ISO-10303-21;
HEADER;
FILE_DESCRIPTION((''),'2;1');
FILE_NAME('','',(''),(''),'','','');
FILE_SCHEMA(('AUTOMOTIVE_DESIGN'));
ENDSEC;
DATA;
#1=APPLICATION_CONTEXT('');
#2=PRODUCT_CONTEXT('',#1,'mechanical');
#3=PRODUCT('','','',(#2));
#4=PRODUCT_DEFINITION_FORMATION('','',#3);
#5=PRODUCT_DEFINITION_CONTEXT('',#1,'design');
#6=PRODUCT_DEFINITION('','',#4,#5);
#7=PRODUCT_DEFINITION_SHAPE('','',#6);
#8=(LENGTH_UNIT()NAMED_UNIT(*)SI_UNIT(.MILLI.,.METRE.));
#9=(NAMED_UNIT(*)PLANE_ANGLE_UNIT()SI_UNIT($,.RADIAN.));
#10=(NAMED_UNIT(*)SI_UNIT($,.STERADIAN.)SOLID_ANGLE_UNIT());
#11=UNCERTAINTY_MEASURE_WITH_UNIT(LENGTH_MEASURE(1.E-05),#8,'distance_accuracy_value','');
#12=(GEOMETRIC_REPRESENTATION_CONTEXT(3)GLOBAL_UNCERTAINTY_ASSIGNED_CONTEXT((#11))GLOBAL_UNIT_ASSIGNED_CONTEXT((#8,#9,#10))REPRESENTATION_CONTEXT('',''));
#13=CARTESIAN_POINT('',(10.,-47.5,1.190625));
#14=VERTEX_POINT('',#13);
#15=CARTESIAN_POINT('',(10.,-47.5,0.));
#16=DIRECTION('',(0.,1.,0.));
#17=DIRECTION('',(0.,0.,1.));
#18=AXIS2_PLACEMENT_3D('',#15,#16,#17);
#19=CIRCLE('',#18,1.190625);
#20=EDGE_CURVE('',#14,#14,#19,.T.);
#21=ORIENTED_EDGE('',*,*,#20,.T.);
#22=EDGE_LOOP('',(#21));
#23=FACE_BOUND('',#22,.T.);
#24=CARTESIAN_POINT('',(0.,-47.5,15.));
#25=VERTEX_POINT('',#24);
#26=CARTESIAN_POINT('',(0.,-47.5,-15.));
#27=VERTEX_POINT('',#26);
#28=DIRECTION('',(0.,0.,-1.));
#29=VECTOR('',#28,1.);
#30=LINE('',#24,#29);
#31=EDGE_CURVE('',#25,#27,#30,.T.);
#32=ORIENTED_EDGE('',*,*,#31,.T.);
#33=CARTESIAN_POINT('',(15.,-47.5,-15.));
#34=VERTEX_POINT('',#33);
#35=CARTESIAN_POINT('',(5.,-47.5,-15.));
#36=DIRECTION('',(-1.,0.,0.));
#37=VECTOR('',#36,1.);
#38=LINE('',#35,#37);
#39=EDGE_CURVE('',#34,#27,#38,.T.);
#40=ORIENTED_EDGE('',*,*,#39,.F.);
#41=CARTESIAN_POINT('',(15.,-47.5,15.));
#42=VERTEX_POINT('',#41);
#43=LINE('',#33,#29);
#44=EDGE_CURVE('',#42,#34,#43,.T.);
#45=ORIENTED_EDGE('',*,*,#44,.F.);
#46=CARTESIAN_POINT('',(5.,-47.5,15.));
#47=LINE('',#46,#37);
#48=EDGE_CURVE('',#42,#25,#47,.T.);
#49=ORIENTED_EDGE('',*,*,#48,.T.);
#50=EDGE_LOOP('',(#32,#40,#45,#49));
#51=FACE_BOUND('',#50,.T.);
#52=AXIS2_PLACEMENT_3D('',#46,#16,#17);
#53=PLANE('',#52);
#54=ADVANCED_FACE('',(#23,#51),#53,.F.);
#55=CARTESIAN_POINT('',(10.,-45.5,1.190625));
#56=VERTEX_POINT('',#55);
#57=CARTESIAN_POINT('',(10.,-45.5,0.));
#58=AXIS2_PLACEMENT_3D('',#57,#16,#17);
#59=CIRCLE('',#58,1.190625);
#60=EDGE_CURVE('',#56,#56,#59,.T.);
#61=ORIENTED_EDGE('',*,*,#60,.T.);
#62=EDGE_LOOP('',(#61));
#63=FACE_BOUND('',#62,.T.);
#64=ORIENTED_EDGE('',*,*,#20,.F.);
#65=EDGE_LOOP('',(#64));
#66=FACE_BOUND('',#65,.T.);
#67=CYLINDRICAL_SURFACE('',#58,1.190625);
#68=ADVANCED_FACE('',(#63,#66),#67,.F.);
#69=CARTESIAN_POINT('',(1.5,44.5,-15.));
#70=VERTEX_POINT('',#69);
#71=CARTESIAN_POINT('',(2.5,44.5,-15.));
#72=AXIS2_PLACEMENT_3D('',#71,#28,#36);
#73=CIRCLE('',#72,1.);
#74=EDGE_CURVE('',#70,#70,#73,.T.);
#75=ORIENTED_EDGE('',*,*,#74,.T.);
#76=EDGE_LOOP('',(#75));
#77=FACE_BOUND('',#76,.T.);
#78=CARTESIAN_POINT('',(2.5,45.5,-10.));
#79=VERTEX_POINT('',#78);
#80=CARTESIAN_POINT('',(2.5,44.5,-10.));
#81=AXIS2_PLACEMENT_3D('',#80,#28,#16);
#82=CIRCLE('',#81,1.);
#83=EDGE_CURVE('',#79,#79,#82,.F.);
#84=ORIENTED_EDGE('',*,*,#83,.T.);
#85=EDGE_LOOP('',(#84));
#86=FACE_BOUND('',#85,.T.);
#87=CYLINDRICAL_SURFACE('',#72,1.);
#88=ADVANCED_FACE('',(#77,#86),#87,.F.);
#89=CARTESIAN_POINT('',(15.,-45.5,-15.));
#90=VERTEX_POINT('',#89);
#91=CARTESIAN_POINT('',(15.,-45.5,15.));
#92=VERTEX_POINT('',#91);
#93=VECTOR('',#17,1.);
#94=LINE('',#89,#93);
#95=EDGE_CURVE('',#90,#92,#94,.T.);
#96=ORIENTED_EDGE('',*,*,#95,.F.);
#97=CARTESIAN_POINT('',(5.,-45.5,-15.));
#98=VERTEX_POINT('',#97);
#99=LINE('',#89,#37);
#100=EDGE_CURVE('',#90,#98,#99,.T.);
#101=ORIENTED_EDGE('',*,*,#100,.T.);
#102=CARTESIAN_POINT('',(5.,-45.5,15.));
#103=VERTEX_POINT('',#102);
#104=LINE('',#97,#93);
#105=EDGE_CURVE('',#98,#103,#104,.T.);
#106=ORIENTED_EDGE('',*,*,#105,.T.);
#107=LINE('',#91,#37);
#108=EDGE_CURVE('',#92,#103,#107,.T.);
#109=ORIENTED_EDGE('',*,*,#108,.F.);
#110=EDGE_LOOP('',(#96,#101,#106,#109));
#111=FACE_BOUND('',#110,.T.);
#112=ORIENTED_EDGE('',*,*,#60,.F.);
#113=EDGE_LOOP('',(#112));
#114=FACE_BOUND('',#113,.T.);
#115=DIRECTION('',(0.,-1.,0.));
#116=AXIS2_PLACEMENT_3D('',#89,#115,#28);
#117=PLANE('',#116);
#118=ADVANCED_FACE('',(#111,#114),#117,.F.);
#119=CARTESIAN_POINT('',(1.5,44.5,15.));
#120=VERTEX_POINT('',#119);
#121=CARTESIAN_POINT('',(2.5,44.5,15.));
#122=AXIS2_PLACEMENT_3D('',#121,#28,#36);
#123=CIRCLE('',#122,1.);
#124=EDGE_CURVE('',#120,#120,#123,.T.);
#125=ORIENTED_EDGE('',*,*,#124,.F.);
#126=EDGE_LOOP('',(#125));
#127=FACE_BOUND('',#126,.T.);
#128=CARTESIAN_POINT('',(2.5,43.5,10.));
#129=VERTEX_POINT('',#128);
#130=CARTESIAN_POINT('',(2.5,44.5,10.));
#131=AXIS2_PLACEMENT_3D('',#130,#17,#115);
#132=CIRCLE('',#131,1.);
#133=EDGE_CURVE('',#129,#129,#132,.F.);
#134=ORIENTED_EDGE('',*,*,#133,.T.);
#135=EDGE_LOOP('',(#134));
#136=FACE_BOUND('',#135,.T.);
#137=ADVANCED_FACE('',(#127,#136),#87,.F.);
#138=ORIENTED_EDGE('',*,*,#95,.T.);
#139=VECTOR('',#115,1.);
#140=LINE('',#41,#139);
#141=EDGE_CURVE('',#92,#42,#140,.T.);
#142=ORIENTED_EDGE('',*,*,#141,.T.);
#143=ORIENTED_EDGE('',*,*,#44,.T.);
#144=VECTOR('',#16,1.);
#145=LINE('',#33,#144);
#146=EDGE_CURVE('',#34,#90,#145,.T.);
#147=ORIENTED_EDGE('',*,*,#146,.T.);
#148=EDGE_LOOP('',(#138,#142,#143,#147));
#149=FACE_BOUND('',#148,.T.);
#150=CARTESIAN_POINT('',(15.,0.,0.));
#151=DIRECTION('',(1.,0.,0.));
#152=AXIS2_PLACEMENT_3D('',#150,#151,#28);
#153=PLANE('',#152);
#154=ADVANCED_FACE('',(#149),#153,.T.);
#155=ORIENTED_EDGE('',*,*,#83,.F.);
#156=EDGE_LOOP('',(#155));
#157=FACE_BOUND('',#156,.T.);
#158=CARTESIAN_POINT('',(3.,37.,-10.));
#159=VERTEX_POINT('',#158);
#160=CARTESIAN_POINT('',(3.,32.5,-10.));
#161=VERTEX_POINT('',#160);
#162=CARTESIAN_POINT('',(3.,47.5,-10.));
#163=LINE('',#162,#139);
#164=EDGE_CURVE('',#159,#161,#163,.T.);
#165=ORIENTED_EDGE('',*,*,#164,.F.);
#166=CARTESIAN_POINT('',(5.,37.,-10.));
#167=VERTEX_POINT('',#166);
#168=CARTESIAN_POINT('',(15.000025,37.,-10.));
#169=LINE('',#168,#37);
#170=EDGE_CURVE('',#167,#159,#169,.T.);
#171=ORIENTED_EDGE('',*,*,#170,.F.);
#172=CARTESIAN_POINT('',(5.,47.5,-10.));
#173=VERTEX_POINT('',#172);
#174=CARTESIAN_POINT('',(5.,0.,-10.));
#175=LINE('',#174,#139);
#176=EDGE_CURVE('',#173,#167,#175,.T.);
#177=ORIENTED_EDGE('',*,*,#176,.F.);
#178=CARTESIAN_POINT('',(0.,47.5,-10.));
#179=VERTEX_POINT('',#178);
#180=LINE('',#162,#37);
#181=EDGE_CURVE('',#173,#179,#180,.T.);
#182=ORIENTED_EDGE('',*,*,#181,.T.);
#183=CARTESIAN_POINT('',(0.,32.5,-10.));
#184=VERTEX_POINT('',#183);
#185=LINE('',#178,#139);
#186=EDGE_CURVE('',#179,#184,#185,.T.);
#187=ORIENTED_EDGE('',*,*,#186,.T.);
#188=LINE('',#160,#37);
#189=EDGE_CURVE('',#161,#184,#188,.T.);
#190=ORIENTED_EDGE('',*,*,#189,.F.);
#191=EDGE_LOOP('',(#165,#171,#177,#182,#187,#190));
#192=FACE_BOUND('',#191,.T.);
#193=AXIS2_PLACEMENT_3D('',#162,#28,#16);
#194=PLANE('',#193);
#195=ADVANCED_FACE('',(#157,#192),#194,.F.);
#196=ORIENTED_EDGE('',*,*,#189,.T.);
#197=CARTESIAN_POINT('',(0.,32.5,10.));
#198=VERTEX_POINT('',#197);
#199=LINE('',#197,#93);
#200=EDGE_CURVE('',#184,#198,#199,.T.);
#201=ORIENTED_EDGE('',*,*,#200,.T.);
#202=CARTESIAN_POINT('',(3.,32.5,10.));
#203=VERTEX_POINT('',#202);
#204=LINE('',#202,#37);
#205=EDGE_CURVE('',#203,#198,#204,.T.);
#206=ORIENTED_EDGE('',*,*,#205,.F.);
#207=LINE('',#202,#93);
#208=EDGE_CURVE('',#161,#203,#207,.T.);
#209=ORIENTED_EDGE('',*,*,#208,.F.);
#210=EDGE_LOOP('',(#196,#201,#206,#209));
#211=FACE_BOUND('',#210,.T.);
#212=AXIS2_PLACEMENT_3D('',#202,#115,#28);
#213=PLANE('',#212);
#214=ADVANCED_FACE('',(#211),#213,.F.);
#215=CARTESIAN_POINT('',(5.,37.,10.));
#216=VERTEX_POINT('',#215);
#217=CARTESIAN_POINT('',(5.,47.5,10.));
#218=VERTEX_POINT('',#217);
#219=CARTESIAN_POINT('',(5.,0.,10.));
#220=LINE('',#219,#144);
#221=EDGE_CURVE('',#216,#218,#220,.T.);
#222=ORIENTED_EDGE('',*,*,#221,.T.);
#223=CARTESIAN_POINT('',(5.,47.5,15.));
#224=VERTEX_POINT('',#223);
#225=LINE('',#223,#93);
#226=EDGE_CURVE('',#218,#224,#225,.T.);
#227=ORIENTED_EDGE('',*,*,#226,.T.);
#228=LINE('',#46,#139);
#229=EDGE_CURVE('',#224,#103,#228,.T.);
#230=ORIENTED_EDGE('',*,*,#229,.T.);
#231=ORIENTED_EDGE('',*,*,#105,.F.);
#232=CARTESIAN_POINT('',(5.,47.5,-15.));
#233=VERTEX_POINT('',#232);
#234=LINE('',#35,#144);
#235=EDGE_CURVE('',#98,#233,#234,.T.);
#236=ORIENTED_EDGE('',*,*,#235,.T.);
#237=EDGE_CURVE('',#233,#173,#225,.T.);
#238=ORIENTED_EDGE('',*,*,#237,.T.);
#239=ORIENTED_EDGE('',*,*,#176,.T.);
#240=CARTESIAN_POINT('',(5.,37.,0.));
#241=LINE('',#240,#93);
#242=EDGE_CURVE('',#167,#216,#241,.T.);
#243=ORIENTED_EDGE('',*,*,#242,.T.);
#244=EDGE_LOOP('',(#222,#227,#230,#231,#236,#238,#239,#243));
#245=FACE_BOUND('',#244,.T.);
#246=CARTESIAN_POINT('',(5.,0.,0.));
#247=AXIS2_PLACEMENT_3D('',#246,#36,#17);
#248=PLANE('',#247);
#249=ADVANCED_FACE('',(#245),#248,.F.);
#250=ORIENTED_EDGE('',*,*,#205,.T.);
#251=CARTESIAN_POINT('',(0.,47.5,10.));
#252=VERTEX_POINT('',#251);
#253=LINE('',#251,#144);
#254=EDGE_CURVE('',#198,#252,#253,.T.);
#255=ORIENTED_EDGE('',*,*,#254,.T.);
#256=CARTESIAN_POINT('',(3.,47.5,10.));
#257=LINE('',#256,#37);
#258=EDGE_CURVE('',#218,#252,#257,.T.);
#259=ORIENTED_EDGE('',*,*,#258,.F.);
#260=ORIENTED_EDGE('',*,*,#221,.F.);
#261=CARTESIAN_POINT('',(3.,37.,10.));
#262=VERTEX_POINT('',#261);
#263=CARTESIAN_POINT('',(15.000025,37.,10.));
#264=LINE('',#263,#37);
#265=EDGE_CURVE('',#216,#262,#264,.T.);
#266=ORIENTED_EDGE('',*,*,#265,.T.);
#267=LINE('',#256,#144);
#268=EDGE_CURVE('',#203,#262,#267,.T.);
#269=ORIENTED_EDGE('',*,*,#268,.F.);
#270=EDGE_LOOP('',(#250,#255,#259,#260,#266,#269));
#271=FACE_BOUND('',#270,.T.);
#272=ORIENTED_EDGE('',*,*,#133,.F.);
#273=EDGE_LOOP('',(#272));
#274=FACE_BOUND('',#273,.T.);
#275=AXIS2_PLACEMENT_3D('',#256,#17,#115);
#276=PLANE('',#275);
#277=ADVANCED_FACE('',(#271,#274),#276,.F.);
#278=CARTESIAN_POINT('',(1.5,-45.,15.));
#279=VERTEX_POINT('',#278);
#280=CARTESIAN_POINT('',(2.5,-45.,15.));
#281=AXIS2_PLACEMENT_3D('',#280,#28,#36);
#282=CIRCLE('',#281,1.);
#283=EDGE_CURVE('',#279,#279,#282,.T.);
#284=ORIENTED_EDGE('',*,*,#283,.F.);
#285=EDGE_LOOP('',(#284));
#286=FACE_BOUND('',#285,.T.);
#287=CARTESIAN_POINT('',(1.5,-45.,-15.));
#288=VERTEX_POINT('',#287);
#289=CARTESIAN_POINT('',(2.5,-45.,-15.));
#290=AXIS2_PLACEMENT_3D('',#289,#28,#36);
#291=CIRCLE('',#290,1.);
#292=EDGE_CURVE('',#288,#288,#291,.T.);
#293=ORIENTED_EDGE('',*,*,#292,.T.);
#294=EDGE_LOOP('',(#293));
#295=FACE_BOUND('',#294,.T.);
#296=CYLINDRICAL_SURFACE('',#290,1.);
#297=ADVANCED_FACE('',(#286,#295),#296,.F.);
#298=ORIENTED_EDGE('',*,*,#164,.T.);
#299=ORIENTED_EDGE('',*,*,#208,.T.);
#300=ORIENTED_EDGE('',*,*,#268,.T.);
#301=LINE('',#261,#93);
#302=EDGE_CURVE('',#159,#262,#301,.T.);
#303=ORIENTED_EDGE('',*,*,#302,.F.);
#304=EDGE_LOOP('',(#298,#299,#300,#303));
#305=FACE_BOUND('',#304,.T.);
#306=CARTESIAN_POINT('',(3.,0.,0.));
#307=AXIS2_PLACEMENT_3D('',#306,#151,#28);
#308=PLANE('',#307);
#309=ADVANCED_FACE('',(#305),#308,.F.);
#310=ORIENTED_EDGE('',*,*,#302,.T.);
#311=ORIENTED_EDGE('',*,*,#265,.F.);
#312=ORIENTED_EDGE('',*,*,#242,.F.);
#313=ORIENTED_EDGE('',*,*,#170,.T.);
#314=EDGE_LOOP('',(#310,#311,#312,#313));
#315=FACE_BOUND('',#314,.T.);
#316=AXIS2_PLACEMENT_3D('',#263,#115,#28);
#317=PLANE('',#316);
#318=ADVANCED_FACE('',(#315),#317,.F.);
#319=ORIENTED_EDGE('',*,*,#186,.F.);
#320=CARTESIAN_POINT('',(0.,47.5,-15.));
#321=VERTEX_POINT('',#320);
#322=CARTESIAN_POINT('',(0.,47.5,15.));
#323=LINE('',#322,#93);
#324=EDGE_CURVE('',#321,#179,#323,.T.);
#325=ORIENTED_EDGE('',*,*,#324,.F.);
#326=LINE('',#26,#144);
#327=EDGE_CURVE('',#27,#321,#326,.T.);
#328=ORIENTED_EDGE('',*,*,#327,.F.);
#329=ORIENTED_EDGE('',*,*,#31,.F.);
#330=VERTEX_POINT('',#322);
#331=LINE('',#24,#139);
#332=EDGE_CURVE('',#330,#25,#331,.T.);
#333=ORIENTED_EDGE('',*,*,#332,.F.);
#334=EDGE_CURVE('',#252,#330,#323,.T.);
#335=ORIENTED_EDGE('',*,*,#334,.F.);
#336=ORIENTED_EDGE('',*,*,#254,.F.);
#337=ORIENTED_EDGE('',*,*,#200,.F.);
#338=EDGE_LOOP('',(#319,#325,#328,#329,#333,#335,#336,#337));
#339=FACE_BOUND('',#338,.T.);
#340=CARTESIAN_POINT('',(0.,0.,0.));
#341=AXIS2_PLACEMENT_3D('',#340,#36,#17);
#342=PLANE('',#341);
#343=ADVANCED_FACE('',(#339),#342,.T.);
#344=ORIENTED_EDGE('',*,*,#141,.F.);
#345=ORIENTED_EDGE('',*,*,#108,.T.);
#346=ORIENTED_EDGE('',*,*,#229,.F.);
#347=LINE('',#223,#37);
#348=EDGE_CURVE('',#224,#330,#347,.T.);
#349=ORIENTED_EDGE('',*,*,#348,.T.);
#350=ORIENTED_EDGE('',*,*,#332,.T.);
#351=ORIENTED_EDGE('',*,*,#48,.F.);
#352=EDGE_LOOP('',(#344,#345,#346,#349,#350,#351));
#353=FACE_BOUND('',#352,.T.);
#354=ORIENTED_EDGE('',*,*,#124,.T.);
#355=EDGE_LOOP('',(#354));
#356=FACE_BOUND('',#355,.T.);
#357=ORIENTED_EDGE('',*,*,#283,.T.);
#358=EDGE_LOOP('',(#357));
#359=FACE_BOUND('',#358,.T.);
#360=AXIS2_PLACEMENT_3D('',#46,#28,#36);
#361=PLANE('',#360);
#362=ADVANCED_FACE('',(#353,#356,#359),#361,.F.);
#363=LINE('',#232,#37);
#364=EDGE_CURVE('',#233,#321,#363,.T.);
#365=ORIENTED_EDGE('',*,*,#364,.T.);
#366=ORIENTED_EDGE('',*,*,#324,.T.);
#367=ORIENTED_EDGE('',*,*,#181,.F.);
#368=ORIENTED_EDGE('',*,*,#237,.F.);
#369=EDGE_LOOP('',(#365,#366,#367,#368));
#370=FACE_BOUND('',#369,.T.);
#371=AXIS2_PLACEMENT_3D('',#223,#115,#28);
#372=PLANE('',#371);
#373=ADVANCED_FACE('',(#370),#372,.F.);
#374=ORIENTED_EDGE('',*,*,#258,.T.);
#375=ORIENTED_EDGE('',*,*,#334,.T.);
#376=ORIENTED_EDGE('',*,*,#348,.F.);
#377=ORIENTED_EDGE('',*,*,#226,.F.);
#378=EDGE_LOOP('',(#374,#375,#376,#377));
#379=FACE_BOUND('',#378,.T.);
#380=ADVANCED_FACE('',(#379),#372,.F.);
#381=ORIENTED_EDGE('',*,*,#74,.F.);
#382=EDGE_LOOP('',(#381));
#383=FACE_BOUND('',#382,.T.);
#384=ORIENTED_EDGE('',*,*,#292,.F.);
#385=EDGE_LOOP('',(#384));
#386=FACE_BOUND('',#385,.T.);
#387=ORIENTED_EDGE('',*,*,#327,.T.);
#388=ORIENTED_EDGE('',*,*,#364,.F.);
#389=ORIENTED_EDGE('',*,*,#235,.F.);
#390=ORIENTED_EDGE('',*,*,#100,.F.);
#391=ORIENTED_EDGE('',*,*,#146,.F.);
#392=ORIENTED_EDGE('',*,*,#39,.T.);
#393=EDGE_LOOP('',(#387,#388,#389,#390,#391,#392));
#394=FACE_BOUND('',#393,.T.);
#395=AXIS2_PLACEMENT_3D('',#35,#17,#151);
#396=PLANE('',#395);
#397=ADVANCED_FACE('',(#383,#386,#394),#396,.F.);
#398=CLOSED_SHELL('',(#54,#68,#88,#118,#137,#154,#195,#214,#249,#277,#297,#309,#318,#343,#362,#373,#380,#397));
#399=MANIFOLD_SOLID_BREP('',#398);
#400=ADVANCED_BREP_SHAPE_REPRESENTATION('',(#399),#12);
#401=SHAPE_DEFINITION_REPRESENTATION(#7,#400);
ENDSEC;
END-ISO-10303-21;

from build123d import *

# Parameters (mm, degrees)
SKETCH2_W                       = 30
SKETCH2_H                       = 95
BOSS_EXTRUDE1_DEPTH             = 5
F_2MM_DIAMETER_HOLE_D           = 2
SKETCH6_W                       = 30
SKETCH6_H                       = 2
BOSS_EXTRUDE2_DEPTH             = 10
F_3_32_0_09375_DIAMETER_HOLE2_D = 2.38125
SKETCH10_W                      = 20
SKETCH10_H                      = 15
CUT_EXTRUDE3_DEPTH              = 3
SKETCH11_W                      = 20
SKETCH11_H                      = 10.5
CUT_EXTRUDE4_DEPTH              = 52.237193522
F_2MM_DIAMETER_HOLE2_D          = 2


with BuildPart() as part:
    # Sketch2 → Boss-Extrude1 (new body)
    with BuildSketch(Plane(origin=(0, 0, 0), x_dir=(0, 0, -1), z_dir=(1, 0, 0))):
        Rectangle(SKETCH2_W, SKETCH2_H)
    extrude(amount=BOSS_EXTRUDE1_DEPTH)

    # 2mm Diameter Hole (through all)
    with Locations(Plane(origin=(0, 0, -15), x_dir=(-1, 0, 0), z_dir=(0, 0, -1))):
        with Locations((-2.5, 44.5)):
            Hole(F_2MM_DIAMETER_HOLE_D / 2)

    # Sketch6 → Boss-Extrude2 (add)
    with BuildSketch(Plane(origin=(5, 0, 0), x_dir=(0, 0, -1), z_dir=(1, 0, 0))):
        with Locations((0, -46.5)):
            Rectangle(SKETCH6_W, SKETCH6_H)
    extrude(amount=BOSS_EXTRUDE2_DEPTH)

    # 3/32 (0.09375) Diameter Hole2 (through all)
    with Locations(Plane(origin=(0, -45.5, 0), x_dir=(1, 0, 0), z_dir=(0, 1, 0))):
        with Locations((10, 0)):
            Hole(F_3_32_0_09375_DIAMETER_HOLE2_D / 2)

    # Sketch10 → Cut-Extrude3 (cut)
    with BuildSketch(Plane.ZY):
        with Locations((0, 40)):
            Rectangle(SKETCH10_W, SKETCH10_H)
    extrude(amount=-CUT_EXTRUDE3_DEPTH, mode=Mode.SUBTRACT)

    # Sketch11 → Cut-Extrude4 (cut, through all)
    with BuildSketch(Plane.ZY.offset(-3)):
        with Locations((0, 42.25)):
            Rectangle(SKETCH11_W, SKETCH11_H)
    extrude(amount=-CUT_EXTRUDE4_DEPTH, mode=Mode.SUBTRACT)

    # 2mm Diameter Hole2 (through all)
    with Locations(Plane(origin=(0, 0, -15), x_dir=(-1, 0, 0), z_dir=(0, 0, -1))):
        with Locations((-2.5, -45)):
            Hole(F_2MM_DIAMETER_HOLE2_D / 2)


solid = part.part
